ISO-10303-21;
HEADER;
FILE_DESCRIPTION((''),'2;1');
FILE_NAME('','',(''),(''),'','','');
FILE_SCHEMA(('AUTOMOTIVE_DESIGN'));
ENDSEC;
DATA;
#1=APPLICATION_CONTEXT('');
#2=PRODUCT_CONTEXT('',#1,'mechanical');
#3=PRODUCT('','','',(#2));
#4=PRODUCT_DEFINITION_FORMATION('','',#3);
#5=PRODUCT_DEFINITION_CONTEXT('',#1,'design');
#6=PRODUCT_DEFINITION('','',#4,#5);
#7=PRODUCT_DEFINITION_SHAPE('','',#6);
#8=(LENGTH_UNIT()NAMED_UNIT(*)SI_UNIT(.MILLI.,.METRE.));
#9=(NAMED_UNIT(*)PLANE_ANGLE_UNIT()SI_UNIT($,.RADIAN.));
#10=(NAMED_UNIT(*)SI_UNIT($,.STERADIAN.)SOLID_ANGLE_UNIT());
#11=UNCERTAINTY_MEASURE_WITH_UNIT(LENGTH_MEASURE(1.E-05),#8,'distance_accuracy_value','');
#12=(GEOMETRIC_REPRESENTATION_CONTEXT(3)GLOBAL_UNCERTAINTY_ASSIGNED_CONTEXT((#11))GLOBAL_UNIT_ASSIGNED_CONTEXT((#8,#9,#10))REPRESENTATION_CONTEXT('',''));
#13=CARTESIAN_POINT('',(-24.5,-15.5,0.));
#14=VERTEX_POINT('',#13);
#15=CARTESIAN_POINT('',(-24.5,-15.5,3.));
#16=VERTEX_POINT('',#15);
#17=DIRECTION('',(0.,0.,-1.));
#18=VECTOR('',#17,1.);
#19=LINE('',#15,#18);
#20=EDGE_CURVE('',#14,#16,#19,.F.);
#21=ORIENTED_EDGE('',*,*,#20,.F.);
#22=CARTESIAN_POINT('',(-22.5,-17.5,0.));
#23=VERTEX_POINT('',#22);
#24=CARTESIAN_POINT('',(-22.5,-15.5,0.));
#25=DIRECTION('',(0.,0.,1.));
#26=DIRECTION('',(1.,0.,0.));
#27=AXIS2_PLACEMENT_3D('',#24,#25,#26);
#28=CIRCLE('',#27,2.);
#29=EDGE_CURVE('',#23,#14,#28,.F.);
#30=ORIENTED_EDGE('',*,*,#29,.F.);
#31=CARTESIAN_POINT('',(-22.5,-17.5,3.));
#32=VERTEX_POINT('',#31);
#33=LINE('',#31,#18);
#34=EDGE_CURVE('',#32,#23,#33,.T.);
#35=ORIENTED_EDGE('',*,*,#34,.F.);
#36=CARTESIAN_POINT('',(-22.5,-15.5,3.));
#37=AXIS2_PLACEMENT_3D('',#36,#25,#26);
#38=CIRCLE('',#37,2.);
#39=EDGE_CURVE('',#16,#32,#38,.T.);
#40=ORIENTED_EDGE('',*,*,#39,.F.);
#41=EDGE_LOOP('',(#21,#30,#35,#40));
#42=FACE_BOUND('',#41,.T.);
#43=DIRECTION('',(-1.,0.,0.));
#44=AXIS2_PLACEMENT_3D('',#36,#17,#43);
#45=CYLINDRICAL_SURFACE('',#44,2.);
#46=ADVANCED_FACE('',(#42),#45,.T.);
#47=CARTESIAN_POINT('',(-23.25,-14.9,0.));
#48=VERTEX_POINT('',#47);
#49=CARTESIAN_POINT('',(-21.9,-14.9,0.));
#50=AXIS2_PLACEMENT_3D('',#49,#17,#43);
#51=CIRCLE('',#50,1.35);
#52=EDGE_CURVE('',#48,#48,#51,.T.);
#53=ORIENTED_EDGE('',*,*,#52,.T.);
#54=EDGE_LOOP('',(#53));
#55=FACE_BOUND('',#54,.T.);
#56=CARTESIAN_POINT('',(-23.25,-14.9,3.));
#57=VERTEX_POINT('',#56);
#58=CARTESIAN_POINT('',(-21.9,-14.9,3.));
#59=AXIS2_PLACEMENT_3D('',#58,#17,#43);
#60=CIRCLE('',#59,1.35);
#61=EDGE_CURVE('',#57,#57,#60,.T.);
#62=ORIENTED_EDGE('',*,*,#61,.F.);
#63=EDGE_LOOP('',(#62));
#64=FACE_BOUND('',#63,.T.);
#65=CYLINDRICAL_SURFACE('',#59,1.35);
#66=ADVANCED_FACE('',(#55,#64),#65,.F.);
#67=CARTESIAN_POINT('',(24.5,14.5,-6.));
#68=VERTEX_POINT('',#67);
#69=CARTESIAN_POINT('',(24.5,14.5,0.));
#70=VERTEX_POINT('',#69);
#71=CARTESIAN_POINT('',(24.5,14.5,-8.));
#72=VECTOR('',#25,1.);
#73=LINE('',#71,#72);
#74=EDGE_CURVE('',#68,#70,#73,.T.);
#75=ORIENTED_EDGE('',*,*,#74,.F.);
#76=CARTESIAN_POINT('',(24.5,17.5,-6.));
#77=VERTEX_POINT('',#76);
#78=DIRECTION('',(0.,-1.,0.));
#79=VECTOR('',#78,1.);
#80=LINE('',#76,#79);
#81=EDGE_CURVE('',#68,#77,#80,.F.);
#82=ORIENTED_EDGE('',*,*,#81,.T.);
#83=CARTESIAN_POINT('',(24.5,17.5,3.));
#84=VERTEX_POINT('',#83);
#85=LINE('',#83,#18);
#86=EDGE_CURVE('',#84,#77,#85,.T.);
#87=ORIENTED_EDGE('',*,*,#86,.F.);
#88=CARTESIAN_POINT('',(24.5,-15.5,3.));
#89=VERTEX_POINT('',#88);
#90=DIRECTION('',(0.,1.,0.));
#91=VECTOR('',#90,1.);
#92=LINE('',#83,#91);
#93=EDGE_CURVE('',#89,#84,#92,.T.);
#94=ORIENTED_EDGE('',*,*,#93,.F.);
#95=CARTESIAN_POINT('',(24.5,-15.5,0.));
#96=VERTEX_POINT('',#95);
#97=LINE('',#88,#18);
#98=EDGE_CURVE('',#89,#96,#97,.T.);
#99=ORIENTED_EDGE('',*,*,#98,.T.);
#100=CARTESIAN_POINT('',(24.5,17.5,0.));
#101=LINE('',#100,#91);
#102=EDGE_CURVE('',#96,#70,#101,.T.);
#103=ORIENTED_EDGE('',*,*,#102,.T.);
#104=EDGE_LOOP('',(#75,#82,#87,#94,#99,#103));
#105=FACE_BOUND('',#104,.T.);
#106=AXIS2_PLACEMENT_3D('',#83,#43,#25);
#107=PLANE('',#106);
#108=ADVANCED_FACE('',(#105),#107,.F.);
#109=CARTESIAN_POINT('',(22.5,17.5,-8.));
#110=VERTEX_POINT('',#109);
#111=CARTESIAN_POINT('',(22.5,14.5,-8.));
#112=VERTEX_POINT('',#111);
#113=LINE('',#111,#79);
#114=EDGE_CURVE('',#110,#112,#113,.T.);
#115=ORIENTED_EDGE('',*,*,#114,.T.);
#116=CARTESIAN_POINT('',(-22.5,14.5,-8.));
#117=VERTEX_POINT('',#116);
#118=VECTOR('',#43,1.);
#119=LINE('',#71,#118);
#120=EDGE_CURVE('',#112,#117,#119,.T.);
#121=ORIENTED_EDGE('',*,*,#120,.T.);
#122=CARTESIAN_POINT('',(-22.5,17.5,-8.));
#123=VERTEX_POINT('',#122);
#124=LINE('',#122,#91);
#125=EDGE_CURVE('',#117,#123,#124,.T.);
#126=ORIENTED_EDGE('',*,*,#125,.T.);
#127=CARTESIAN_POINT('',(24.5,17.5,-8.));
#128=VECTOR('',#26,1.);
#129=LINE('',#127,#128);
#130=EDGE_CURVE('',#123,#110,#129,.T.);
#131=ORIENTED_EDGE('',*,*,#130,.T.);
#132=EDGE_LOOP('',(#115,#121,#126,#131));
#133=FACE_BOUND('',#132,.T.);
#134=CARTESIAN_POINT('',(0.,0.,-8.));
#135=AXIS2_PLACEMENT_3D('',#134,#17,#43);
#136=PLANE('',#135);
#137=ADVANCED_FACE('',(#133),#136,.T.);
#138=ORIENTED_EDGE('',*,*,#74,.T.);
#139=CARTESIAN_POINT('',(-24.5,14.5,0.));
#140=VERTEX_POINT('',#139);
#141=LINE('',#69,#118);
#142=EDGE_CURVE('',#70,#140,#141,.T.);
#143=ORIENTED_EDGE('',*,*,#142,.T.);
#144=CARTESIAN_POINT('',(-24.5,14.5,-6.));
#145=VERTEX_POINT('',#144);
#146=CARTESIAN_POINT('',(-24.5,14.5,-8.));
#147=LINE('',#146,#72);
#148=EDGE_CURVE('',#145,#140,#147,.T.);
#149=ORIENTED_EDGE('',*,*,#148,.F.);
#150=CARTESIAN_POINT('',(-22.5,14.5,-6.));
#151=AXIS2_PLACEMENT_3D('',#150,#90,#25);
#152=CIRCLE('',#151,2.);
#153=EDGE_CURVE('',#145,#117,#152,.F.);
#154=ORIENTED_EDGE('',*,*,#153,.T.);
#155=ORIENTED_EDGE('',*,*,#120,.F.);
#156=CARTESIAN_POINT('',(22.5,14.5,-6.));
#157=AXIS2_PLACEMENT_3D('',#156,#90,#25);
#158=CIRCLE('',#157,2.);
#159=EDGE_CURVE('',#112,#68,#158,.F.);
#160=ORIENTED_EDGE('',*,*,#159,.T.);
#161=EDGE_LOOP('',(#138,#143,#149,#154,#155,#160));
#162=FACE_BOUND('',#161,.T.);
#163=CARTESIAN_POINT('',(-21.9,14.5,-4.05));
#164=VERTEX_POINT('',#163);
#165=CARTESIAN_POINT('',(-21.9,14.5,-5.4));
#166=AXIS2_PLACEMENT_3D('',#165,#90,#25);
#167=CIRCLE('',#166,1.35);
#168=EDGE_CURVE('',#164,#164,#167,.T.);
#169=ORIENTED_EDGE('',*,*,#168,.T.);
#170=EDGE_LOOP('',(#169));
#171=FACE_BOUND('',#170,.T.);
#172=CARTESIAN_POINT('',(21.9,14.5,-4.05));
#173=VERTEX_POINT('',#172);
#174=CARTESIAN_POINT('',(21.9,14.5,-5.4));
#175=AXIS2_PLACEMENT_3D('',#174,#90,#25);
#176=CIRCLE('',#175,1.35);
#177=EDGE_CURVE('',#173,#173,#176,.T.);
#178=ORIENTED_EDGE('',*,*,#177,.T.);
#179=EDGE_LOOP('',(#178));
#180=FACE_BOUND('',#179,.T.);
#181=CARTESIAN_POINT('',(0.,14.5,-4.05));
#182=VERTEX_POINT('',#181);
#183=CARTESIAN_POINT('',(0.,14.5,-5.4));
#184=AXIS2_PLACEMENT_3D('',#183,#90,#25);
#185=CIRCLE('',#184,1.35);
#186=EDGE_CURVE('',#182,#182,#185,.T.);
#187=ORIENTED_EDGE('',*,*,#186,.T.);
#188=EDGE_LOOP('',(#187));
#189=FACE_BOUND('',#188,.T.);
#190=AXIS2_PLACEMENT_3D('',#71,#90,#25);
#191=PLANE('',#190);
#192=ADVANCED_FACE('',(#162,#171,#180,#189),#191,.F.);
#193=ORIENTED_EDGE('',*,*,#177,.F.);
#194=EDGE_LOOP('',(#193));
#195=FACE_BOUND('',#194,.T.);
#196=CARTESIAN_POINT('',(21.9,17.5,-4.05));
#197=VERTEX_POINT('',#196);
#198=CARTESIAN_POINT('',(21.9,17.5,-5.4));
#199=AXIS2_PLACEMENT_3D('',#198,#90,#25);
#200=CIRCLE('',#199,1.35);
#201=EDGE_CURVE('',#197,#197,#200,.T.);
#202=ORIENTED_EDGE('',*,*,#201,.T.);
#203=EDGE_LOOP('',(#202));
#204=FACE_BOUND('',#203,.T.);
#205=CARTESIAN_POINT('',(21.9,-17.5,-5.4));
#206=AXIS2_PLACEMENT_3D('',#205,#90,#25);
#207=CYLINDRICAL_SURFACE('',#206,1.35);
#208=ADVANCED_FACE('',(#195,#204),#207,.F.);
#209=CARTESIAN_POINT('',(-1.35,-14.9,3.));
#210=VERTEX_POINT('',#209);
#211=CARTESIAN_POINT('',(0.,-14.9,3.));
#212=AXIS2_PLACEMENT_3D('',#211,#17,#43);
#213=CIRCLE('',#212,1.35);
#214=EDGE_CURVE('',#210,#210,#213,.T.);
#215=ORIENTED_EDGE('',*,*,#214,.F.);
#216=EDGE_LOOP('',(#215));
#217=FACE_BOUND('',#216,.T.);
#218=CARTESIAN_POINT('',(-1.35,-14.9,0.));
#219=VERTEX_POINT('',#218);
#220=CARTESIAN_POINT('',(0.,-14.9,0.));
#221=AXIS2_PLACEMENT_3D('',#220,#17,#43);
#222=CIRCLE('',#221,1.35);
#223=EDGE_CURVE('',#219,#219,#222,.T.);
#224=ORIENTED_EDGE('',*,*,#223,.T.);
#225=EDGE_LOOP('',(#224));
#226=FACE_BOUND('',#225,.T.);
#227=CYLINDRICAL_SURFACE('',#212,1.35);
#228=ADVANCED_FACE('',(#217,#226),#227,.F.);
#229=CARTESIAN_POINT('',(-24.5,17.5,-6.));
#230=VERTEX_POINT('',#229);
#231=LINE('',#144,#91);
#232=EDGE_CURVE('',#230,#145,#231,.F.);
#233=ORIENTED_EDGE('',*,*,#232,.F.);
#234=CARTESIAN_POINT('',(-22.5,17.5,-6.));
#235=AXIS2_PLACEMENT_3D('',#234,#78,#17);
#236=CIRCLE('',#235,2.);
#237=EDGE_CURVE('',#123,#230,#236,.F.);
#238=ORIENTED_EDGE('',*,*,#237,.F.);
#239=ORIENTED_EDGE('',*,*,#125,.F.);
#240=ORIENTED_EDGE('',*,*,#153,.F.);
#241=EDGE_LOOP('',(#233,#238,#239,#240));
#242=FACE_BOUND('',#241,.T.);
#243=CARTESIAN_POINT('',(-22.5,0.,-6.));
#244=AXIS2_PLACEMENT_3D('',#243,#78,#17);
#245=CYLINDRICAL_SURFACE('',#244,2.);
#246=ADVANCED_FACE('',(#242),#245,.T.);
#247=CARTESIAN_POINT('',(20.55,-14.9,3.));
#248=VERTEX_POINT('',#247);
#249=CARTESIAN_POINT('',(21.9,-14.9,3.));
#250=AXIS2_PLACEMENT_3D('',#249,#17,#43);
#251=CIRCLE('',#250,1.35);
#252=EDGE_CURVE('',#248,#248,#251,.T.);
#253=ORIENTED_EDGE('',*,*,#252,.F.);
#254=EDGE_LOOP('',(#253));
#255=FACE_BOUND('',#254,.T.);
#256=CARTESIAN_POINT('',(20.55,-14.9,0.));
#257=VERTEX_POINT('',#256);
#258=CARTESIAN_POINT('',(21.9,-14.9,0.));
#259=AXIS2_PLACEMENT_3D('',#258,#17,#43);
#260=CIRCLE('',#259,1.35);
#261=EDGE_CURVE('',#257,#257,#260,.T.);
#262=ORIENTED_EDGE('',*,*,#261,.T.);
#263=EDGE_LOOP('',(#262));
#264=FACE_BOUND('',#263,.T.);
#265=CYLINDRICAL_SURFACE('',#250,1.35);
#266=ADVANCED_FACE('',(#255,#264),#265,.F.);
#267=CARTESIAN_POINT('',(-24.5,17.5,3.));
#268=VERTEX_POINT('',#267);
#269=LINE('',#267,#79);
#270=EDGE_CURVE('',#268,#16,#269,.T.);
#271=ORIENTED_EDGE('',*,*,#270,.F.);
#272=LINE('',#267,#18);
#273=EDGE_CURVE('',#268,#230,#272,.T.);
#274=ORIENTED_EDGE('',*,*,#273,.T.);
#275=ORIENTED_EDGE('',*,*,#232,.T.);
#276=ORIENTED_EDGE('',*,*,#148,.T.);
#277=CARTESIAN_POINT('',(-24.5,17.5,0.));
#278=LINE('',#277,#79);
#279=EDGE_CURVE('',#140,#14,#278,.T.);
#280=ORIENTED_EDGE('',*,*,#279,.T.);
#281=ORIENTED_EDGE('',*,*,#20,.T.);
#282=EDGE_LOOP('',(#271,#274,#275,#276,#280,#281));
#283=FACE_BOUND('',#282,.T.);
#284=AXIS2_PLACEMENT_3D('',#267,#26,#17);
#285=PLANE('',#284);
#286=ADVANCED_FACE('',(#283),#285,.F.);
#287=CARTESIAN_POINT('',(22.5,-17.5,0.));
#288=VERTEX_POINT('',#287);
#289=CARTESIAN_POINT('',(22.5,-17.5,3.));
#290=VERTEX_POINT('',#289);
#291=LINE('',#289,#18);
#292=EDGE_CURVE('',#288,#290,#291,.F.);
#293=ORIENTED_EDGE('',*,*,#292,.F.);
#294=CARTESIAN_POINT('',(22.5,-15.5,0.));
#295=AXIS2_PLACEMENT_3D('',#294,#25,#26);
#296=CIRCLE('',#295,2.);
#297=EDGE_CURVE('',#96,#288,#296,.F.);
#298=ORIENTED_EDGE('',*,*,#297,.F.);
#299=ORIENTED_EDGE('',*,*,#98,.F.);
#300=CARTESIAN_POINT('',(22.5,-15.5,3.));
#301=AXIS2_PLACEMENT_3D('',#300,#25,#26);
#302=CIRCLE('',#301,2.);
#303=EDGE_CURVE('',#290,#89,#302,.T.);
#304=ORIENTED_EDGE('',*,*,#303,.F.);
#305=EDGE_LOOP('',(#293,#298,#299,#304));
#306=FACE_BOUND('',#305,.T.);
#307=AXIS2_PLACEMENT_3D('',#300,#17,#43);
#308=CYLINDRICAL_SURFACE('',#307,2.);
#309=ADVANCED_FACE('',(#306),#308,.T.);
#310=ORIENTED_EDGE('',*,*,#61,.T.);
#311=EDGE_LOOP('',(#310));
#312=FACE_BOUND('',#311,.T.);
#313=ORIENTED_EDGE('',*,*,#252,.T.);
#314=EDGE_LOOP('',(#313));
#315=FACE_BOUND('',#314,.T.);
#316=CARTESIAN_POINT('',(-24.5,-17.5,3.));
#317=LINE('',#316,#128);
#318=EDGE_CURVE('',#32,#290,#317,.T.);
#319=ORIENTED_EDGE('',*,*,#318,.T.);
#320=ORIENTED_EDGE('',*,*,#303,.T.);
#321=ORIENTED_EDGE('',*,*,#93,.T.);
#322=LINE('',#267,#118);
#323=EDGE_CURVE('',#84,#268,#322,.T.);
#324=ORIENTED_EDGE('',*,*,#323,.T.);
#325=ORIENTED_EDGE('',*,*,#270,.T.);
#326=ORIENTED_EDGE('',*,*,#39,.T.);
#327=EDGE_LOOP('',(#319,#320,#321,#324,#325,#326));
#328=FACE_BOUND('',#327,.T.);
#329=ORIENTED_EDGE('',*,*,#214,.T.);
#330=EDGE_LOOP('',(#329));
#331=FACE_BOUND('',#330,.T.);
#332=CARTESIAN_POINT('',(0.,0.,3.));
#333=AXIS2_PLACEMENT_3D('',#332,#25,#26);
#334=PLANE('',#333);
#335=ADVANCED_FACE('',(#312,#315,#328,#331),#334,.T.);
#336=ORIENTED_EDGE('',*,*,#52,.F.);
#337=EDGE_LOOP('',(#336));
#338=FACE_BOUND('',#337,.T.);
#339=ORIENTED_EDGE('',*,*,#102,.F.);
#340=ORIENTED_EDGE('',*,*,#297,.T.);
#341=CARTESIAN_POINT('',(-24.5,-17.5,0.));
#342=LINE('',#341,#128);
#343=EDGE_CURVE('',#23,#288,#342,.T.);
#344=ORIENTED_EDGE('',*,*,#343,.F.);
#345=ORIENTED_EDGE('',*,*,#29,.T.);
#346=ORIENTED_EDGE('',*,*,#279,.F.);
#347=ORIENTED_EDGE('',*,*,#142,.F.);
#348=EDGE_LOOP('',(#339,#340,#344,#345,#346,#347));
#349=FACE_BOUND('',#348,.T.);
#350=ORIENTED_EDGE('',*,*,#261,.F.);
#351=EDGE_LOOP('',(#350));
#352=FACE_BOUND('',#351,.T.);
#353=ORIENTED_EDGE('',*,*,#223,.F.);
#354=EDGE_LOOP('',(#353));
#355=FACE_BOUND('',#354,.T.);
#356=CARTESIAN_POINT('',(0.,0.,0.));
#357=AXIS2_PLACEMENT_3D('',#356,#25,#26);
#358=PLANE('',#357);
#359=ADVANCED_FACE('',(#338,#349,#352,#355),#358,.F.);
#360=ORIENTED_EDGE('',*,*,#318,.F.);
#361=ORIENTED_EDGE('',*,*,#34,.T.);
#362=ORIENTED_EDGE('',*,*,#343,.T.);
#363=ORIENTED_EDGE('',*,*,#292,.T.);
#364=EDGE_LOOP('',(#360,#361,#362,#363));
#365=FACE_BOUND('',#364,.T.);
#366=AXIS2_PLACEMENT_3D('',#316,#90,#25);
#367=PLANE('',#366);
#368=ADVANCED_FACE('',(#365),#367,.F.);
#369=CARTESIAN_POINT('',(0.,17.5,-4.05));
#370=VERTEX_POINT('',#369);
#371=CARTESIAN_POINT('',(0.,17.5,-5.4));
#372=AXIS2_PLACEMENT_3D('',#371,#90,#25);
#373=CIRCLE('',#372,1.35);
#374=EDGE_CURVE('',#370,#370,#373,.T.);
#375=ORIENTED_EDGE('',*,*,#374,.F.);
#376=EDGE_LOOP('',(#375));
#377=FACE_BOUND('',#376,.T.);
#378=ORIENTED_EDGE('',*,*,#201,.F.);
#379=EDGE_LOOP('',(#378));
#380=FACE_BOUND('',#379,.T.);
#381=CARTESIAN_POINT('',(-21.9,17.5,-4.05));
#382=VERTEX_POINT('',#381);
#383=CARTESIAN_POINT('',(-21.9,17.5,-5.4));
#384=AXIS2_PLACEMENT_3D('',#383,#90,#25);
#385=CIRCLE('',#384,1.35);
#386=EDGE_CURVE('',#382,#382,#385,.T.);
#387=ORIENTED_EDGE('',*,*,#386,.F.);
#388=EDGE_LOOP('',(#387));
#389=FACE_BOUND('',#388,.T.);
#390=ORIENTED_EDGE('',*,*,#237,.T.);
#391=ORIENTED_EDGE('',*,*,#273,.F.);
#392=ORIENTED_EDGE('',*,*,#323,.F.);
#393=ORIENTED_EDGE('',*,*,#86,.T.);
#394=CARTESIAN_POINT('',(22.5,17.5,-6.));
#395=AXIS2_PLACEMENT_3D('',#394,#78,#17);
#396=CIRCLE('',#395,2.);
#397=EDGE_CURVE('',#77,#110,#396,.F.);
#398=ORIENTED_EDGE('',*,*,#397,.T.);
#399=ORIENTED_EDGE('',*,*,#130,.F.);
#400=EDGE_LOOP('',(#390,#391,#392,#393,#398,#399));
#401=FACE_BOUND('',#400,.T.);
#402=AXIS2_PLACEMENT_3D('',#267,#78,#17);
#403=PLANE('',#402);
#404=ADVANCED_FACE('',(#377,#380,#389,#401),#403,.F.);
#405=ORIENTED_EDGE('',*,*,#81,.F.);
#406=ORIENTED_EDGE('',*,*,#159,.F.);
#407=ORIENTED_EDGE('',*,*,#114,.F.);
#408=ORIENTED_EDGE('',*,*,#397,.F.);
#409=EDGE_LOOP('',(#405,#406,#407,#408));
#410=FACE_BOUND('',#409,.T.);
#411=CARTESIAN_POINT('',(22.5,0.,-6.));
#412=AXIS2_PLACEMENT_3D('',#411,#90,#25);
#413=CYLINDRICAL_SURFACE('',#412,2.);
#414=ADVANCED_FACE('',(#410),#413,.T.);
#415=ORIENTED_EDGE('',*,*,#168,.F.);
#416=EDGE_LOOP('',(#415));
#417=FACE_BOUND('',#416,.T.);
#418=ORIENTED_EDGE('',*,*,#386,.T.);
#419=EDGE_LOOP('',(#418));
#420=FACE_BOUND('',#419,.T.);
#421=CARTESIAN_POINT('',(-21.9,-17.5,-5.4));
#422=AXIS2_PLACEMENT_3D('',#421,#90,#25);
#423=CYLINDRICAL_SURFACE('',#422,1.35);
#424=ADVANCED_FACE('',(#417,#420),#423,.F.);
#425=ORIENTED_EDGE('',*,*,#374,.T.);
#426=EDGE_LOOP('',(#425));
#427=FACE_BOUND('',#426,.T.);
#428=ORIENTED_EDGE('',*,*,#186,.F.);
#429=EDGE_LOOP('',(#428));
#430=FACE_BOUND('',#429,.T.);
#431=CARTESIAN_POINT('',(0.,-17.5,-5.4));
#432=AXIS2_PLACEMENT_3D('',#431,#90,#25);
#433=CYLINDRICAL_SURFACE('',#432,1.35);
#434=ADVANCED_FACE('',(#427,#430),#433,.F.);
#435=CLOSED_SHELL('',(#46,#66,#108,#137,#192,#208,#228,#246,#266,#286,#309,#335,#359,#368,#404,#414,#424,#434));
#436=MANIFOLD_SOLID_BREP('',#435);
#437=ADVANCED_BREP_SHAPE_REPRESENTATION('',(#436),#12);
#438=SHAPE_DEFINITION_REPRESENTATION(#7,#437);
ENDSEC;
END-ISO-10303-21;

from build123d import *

# Parameters (mm, degrees)
ESBO_O1_W                = 49
ESBO_O1_H                = 35
RESSALTO_EXTRUS_O1_DEPTH = 3
ESBO_O2_R                = 1.35
CORTE_EXTRUS_O1_DEPTH    = 31.257230541
ESBO_O3_W                = 49
ESBO_O3_H                = 3
RESSALTO_EXTRUS_O3_DEPTH = 8
ESBO_O4_R                = 1.35
CORTE_EXTRUS_O2_DEPTH    = 44.465503563
FILETE1_R                = 2
FILETE2_R                = 2


with BuildPart() as part:
    # Esboço1 → Ressalto-extrusão1 (new body)
    with BuildSketch(Plane.XY):
        Rectangle(ESBO_O1_W, ESBO_O1_H)
    extrude(amount=RESSALTO_EXTRUS_O1_DEPTH)

    # Esboço2 → Corte-extrusão1 (cut, through all)
    with BuildSketch(Plane(origin=(0, 0, 0), x_dir=(-1, 0, 0), z_dir=(0, 0, -1))):
        with Locations((-21.9, -14.9)):
            Circle(ESBO_O2_R)
        with Locations((0, -14.9)):
            Circle(ESBO_O2_R)
        with Locations((21.9, -14.9)):
            Circle(ESBO_O2_R)
    extrude(amount=-CORTE_EXTRUS_O1_DEPTH, mode=Mode.SUBTRACT)

    # Esboço3 → Ressalto-extrusão3 (add)
    with BuildSketch(Plane(origin=(0, 0, 0), x_dir=(-1, 0, 0), z_dir=(0, 0, -1))):
        with Locations((0, 16)):
            Rectangle(ESBO_O3_W, ESBO_O3_H)
    extrude(amount=RESSALTO_EXTRUS_O3_DEPTH)

    # Esboço4 → Corte-extrusão2 (cut, through all)
    with BuildSketch(Plane(origin=(0, 17.5, 0), x_dir=(1, 0, 0), z_dir=(0, 1, 0))):
        with Locations(Location((-21.9, 5.4, 0), (0, 0, 270))):
            Circle(ESBO_O4_R)
        with Locations(Location((0, 5.4, 0), (0, 0, 270))):
            Circle(ESBO_O4_R)
        with Locations(Location((21.9, 5.4, 0), (0, 0, 270))):
            Circle(ESBO_O4_R)
    extrude(amount=-CORTE_EXTRUS_O2_DEPTH, mode=Mode.SUBTRACT)

    # Filete1
    filete1_edges = [part.edges().sort_by_distance(p)[0] for p in [
        (24.5, -17.5, 1.5),
        (-24.5, -17.5, 1.5),
    ]]
    fillet(filete1_edges, radius=FILETE1_R)

    # Filete2
    filete2_edges = [part.edges().sort_by_distance(p)[0] for p in [
        (24.5, 16, -8),
        (-24.5, 16, -8),
    ]]
    fillet(filete2_edges, radius=FILETE2_R)


solid = part.part
